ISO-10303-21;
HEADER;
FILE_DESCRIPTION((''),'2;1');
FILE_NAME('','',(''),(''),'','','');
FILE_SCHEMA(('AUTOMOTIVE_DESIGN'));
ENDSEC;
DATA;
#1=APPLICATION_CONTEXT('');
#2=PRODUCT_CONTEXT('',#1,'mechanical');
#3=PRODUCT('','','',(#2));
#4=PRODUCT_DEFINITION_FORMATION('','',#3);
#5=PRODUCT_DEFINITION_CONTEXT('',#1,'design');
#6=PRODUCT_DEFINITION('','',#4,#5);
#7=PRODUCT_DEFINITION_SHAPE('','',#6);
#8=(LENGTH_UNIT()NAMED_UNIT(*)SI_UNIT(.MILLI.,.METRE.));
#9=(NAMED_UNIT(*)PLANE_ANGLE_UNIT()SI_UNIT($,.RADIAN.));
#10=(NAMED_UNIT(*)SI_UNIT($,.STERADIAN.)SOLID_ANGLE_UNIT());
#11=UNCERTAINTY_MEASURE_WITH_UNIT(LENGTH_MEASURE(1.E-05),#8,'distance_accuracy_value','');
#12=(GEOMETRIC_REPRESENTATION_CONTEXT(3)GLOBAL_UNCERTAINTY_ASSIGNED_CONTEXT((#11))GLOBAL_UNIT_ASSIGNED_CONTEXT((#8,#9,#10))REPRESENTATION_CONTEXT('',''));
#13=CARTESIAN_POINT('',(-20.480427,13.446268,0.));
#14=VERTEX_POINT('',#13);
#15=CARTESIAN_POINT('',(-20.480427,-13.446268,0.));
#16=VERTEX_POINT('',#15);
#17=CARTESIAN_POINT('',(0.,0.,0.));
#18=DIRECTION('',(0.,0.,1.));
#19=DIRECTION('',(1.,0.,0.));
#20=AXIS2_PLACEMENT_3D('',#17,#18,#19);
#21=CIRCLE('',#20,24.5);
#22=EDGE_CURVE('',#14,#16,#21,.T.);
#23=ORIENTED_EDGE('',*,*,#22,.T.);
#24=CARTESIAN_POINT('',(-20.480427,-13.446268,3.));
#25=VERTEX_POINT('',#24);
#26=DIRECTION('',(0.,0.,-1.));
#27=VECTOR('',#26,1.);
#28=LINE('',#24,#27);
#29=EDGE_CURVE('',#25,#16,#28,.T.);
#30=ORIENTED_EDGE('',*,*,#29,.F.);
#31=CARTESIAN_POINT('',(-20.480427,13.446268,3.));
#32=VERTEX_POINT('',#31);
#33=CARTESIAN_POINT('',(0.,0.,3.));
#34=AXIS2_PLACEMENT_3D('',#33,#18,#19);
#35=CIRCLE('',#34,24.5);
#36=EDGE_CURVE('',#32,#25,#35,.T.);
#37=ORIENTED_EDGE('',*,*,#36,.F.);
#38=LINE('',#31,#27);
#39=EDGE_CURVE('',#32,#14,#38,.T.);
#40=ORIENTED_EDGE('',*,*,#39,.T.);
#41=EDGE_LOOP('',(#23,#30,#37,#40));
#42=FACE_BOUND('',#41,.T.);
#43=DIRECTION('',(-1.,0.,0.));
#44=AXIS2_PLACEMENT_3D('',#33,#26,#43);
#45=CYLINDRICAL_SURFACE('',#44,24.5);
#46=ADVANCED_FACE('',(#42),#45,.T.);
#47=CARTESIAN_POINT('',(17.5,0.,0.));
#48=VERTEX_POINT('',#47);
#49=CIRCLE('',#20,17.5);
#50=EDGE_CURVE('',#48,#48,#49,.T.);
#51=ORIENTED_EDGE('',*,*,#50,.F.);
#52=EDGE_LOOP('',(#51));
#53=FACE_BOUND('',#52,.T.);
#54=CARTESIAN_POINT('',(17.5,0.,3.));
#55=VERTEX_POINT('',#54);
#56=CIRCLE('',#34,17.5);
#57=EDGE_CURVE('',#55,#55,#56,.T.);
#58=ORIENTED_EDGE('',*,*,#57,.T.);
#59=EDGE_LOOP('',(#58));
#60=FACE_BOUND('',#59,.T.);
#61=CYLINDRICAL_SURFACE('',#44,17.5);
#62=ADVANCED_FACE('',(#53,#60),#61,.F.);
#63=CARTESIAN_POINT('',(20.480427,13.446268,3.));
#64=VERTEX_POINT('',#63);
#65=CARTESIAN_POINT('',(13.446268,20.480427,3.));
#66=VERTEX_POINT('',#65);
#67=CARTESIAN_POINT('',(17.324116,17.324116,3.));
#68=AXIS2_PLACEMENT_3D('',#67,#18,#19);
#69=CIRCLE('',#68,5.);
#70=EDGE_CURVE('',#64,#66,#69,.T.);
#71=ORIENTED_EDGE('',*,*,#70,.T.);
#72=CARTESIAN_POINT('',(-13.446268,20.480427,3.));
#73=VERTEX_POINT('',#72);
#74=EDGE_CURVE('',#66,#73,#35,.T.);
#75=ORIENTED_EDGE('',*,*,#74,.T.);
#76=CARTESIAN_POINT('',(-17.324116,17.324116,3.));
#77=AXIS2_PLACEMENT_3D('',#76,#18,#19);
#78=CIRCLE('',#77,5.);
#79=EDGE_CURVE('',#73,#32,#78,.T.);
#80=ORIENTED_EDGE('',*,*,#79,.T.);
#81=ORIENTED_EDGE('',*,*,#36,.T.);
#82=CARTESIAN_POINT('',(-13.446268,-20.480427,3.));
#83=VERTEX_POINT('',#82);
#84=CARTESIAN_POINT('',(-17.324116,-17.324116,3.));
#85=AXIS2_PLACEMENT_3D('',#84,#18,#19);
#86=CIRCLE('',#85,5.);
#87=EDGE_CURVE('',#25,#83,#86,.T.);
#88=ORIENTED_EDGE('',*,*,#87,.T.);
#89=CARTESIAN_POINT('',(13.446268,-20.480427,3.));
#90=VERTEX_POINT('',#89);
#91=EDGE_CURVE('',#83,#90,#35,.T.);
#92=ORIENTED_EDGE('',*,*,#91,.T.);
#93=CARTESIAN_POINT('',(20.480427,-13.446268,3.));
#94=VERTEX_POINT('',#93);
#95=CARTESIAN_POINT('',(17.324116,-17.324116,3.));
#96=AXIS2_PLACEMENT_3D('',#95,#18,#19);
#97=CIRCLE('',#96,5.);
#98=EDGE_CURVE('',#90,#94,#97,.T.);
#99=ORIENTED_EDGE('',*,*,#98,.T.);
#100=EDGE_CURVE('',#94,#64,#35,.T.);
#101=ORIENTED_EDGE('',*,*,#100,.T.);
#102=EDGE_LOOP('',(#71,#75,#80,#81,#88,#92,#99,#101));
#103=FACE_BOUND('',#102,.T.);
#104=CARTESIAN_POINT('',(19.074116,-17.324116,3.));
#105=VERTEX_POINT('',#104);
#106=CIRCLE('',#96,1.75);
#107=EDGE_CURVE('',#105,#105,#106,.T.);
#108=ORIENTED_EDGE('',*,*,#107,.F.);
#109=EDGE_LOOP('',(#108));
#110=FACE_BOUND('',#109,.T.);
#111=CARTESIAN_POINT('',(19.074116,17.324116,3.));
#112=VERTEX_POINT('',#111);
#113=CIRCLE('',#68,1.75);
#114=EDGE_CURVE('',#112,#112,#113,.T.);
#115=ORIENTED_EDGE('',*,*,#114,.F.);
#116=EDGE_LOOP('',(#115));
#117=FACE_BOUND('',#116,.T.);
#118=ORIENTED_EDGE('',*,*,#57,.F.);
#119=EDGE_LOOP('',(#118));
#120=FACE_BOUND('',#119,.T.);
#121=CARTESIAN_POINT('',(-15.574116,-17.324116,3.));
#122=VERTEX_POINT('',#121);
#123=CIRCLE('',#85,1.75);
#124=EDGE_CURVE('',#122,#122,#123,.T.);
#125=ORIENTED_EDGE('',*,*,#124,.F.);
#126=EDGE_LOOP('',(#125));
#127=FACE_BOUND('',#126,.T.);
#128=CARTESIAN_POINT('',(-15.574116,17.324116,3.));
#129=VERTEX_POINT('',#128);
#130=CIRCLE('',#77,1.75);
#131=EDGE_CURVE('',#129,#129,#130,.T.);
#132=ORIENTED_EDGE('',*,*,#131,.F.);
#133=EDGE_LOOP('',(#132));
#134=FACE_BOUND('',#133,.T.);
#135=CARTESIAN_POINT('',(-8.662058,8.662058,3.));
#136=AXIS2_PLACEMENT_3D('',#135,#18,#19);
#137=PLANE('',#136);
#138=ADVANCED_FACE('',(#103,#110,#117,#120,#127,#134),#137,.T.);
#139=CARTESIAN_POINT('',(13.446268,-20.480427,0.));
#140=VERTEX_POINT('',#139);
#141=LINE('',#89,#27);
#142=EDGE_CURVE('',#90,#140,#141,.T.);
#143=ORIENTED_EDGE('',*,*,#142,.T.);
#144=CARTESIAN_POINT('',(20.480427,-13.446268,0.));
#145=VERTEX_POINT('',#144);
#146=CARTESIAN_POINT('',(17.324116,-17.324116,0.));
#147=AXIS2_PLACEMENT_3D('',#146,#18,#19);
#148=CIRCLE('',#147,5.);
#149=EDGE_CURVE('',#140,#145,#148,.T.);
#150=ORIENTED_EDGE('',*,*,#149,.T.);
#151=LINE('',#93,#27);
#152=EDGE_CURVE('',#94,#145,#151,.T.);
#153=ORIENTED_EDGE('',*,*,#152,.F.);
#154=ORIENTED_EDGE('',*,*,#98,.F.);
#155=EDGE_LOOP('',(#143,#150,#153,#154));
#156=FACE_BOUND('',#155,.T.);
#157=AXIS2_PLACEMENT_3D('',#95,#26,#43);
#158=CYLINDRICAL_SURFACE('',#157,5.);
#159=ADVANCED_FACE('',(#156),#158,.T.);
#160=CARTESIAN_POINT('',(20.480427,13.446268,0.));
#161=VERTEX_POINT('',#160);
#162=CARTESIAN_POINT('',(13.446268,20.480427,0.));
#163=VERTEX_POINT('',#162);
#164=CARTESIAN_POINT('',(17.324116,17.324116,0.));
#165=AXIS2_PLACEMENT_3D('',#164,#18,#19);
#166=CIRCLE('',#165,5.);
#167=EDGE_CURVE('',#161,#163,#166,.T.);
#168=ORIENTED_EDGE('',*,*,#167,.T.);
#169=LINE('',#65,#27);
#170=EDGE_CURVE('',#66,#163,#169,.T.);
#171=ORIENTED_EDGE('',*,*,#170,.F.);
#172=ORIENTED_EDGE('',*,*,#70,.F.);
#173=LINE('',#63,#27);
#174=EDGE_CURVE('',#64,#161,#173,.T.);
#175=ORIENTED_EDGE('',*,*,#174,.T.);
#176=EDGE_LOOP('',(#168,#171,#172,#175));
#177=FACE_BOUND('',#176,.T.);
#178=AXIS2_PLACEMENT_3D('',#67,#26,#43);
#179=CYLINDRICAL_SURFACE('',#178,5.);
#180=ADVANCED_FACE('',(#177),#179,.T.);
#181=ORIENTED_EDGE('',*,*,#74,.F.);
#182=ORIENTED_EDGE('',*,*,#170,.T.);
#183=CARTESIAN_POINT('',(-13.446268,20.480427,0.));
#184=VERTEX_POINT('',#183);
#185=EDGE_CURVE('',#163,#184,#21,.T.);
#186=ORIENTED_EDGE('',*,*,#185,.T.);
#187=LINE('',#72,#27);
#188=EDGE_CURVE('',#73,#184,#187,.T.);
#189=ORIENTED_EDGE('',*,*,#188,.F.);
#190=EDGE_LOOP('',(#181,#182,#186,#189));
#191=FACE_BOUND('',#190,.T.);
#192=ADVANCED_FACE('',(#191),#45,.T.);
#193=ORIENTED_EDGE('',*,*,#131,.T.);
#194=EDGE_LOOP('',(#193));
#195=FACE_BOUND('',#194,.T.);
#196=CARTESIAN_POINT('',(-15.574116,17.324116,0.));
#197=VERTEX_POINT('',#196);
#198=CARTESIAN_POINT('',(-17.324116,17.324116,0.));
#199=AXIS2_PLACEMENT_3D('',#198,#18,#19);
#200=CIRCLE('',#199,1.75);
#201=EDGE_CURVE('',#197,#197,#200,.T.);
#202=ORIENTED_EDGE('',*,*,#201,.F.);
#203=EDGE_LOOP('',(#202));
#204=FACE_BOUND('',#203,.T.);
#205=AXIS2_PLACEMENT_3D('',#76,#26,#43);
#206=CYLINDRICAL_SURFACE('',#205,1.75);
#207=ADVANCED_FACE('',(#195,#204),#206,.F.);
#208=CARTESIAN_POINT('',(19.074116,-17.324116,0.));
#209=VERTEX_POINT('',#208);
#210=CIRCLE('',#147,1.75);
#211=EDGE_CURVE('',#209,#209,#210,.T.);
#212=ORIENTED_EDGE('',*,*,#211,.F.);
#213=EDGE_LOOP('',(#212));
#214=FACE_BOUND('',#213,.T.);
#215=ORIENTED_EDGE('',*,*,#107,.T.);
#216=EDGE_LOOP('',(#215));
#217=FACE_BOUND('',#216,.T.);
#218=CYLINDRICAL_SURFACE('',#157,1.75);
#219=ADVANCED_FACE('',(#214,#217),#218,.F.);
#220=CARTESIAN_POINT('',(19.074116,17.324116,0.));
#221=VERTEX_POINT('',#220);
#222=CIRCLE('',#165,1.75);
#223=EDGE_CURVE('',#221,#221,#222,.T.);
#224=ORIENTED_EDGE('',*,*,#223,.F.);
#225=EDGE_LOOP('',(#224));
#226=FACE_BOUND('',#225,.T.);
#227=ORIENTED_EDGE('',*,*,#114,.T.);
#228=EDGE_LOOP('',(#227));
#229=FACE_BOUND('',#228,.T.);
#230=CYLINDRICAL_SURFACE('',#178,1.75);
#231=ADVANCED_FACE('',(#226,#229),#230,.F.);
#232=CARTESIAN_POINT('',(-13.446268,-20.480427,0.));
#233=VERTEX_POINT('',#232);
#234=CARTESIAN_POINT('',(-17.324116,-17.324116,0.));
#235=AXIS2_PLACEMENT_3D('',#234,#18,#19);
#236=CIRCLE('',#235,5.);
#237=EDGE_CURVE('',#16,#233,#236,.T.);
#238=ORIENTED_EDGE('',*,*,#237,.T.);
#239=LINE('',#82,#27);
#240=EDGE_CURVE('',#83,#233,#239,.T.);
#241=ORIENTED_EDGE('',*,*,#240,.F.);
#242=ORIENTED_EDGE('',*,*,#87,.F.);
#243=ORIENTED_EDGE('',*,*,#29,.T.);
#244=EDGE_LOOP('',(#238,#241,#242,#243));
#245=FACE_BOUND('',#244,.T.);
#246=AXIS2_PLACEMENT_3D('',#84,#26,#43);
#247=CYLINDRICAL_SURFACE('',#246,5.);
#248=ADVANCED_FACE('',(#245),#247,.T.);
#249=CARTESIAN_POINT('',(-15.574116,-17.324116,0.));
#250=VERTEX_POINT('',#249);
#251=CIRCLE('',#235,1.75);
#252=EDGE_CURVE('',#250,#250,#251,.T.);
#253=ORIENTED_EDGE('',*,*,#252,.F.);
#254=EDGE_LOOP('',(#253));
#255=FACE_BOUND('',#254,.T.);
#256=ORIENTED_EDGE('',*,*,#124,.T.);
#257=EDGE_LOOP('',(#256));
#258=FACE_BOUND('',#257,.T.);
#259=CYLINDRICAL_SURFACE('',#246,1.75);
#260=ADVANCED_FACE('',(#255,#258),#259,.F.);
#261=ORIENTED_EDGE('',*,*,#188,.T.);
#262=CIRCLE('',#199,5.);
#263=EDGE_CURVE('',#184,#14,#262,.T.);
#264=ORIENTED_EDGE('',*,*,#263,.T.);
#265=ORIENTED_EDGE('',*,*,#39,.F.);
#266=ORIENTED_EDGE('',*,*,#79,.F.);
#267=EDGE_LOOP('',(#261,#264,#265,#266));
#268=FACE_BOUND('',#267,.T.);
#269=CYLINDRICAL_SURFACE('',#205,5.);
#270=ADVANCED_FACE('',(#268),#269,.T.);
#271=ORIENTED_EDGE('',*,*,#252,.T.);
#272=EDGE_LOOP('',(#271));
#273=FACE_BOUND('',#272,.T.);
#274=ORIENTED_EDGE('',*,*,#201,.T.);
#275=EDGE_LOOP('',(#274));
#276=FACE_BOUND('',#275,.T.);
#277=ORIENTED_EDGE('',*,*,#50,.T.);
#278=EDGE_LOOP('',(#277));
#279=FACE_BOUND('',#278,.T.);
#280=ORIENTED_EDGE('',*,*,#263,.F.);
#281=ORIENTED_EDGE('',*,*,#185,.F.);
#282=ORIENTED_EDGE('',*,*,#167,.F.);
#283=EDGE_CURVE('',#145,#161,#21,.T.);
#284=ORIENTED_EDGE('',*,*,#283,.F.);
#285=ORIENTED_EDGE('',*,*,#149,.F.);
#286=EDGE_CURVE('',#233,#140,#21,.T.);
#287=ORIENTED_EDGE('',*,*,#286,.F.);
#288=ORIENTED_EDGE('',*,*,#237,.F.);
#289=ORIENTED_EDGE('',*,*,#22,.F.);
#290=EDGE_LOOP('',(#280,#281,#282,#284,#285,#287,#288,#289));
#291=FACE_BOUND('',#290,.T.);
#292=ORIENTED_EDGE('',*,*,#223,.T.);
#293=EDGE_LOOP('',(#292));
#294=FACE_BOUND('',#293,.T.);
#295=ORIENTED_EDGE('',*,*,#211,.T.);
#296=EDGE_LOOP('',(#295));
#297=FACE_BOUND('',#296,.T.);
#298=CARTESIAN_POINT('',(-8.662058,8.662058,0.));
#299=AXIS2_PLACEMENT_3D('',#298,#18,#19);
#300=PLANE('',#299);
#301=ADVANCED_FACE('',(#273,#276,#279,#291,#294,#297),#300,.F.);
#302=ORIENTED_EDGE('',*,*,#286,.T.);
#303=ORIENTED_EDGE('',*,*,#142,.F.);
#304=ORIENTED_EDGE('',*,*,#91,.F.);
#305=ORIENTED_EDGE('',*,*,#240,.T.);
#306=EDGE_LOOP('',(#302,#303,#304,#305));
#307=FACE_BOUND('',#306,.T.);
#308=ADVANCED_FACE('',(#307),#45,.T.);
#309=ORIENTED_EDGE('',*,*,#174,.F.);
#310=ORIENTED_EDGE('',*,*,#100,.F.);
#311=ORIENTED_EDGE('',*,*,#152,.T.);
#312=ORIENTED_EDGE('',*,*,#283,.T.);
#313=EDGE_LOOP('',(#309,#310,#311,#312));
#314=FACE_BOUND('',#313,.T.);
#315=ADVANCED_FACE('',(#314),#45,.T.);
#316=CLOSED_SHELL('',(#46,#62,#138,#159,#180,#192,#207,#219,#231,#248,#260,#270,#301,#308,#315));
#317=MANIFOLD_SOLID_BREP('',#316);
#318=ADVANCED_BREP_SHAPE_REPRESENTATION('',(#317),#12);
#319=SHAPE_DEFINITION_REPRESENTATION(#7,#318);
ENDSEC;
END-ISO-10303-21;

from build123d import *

# Parameters (mm, degrees)
SKETCH_1_R      = 17.5
SKETCH_1_R_2    = 1.75
EXTRUDE_1_DEPTH = 3


with BuildPart() as part:
    # 草图1 → 凸台-拉伸1 (new body)
    with BuildSketch(Plane.XY):
        with BuildLine():
            ThreePointArc((-13.446268202, 20.480426545), (-20.859650045, 20.859650045), (-20.480426545, 13.446268202))
            ThreePointArc((-20.480426545, 13.446268202), (-24.5, 0), (-20.480426545, -13.446268202))
            ThreePointArc((-20.480426545, -13.446268202), (-20.859650045, -20.859650045), (-13.446268202, -20.480426545))
            ThreePointArc((-13.446268202, -20.480426545), (0, -24.5), (13.446268202, -20.480426545))
            ThreePointArc((13.446268202, -20.480426545), (20.859650045, -20.859650045), (20.480426545, -13.446268202))
            ThreePointArc((20.480426545, -13.446268202), (24.5, 0), (20.480426545, 13.446268202))
            ThreePointArc((20.480426545, 13.446268202), (20.859650045, 20.859650045), (13.446268202, 20.480426545))
            ThreePointArc((13.446268202, 20.480426545), (0, 24.5), (-13.446268202, 20.480426545))
        make_face()
        Circle(SKETCH_1_R, mode=Mode.SUBTRACT)
        with Locations((-17.324116139, 17.324116139)):
            Circle(SKETCH_1_R_2, mode=Mode.SUBTRACT)
        with Locations((17.324116139, 17.324116139)):
            Circle(SKETCH_1_R_2, mode=Mode.SUBTRACT)
        with Locations((17.324116139, -17.324116139)):
            Circle(SKETCH_1_R_2, mode=Mode.SUBTRACT)
        with Locations((-17.324116139, -17.324116139)):
            Circle(SKETCH_1_R_2, mode=Mode.SUBTRACT)
    extrude(amount=EXTRUDE_1_DEPTH)


solid = part.part
